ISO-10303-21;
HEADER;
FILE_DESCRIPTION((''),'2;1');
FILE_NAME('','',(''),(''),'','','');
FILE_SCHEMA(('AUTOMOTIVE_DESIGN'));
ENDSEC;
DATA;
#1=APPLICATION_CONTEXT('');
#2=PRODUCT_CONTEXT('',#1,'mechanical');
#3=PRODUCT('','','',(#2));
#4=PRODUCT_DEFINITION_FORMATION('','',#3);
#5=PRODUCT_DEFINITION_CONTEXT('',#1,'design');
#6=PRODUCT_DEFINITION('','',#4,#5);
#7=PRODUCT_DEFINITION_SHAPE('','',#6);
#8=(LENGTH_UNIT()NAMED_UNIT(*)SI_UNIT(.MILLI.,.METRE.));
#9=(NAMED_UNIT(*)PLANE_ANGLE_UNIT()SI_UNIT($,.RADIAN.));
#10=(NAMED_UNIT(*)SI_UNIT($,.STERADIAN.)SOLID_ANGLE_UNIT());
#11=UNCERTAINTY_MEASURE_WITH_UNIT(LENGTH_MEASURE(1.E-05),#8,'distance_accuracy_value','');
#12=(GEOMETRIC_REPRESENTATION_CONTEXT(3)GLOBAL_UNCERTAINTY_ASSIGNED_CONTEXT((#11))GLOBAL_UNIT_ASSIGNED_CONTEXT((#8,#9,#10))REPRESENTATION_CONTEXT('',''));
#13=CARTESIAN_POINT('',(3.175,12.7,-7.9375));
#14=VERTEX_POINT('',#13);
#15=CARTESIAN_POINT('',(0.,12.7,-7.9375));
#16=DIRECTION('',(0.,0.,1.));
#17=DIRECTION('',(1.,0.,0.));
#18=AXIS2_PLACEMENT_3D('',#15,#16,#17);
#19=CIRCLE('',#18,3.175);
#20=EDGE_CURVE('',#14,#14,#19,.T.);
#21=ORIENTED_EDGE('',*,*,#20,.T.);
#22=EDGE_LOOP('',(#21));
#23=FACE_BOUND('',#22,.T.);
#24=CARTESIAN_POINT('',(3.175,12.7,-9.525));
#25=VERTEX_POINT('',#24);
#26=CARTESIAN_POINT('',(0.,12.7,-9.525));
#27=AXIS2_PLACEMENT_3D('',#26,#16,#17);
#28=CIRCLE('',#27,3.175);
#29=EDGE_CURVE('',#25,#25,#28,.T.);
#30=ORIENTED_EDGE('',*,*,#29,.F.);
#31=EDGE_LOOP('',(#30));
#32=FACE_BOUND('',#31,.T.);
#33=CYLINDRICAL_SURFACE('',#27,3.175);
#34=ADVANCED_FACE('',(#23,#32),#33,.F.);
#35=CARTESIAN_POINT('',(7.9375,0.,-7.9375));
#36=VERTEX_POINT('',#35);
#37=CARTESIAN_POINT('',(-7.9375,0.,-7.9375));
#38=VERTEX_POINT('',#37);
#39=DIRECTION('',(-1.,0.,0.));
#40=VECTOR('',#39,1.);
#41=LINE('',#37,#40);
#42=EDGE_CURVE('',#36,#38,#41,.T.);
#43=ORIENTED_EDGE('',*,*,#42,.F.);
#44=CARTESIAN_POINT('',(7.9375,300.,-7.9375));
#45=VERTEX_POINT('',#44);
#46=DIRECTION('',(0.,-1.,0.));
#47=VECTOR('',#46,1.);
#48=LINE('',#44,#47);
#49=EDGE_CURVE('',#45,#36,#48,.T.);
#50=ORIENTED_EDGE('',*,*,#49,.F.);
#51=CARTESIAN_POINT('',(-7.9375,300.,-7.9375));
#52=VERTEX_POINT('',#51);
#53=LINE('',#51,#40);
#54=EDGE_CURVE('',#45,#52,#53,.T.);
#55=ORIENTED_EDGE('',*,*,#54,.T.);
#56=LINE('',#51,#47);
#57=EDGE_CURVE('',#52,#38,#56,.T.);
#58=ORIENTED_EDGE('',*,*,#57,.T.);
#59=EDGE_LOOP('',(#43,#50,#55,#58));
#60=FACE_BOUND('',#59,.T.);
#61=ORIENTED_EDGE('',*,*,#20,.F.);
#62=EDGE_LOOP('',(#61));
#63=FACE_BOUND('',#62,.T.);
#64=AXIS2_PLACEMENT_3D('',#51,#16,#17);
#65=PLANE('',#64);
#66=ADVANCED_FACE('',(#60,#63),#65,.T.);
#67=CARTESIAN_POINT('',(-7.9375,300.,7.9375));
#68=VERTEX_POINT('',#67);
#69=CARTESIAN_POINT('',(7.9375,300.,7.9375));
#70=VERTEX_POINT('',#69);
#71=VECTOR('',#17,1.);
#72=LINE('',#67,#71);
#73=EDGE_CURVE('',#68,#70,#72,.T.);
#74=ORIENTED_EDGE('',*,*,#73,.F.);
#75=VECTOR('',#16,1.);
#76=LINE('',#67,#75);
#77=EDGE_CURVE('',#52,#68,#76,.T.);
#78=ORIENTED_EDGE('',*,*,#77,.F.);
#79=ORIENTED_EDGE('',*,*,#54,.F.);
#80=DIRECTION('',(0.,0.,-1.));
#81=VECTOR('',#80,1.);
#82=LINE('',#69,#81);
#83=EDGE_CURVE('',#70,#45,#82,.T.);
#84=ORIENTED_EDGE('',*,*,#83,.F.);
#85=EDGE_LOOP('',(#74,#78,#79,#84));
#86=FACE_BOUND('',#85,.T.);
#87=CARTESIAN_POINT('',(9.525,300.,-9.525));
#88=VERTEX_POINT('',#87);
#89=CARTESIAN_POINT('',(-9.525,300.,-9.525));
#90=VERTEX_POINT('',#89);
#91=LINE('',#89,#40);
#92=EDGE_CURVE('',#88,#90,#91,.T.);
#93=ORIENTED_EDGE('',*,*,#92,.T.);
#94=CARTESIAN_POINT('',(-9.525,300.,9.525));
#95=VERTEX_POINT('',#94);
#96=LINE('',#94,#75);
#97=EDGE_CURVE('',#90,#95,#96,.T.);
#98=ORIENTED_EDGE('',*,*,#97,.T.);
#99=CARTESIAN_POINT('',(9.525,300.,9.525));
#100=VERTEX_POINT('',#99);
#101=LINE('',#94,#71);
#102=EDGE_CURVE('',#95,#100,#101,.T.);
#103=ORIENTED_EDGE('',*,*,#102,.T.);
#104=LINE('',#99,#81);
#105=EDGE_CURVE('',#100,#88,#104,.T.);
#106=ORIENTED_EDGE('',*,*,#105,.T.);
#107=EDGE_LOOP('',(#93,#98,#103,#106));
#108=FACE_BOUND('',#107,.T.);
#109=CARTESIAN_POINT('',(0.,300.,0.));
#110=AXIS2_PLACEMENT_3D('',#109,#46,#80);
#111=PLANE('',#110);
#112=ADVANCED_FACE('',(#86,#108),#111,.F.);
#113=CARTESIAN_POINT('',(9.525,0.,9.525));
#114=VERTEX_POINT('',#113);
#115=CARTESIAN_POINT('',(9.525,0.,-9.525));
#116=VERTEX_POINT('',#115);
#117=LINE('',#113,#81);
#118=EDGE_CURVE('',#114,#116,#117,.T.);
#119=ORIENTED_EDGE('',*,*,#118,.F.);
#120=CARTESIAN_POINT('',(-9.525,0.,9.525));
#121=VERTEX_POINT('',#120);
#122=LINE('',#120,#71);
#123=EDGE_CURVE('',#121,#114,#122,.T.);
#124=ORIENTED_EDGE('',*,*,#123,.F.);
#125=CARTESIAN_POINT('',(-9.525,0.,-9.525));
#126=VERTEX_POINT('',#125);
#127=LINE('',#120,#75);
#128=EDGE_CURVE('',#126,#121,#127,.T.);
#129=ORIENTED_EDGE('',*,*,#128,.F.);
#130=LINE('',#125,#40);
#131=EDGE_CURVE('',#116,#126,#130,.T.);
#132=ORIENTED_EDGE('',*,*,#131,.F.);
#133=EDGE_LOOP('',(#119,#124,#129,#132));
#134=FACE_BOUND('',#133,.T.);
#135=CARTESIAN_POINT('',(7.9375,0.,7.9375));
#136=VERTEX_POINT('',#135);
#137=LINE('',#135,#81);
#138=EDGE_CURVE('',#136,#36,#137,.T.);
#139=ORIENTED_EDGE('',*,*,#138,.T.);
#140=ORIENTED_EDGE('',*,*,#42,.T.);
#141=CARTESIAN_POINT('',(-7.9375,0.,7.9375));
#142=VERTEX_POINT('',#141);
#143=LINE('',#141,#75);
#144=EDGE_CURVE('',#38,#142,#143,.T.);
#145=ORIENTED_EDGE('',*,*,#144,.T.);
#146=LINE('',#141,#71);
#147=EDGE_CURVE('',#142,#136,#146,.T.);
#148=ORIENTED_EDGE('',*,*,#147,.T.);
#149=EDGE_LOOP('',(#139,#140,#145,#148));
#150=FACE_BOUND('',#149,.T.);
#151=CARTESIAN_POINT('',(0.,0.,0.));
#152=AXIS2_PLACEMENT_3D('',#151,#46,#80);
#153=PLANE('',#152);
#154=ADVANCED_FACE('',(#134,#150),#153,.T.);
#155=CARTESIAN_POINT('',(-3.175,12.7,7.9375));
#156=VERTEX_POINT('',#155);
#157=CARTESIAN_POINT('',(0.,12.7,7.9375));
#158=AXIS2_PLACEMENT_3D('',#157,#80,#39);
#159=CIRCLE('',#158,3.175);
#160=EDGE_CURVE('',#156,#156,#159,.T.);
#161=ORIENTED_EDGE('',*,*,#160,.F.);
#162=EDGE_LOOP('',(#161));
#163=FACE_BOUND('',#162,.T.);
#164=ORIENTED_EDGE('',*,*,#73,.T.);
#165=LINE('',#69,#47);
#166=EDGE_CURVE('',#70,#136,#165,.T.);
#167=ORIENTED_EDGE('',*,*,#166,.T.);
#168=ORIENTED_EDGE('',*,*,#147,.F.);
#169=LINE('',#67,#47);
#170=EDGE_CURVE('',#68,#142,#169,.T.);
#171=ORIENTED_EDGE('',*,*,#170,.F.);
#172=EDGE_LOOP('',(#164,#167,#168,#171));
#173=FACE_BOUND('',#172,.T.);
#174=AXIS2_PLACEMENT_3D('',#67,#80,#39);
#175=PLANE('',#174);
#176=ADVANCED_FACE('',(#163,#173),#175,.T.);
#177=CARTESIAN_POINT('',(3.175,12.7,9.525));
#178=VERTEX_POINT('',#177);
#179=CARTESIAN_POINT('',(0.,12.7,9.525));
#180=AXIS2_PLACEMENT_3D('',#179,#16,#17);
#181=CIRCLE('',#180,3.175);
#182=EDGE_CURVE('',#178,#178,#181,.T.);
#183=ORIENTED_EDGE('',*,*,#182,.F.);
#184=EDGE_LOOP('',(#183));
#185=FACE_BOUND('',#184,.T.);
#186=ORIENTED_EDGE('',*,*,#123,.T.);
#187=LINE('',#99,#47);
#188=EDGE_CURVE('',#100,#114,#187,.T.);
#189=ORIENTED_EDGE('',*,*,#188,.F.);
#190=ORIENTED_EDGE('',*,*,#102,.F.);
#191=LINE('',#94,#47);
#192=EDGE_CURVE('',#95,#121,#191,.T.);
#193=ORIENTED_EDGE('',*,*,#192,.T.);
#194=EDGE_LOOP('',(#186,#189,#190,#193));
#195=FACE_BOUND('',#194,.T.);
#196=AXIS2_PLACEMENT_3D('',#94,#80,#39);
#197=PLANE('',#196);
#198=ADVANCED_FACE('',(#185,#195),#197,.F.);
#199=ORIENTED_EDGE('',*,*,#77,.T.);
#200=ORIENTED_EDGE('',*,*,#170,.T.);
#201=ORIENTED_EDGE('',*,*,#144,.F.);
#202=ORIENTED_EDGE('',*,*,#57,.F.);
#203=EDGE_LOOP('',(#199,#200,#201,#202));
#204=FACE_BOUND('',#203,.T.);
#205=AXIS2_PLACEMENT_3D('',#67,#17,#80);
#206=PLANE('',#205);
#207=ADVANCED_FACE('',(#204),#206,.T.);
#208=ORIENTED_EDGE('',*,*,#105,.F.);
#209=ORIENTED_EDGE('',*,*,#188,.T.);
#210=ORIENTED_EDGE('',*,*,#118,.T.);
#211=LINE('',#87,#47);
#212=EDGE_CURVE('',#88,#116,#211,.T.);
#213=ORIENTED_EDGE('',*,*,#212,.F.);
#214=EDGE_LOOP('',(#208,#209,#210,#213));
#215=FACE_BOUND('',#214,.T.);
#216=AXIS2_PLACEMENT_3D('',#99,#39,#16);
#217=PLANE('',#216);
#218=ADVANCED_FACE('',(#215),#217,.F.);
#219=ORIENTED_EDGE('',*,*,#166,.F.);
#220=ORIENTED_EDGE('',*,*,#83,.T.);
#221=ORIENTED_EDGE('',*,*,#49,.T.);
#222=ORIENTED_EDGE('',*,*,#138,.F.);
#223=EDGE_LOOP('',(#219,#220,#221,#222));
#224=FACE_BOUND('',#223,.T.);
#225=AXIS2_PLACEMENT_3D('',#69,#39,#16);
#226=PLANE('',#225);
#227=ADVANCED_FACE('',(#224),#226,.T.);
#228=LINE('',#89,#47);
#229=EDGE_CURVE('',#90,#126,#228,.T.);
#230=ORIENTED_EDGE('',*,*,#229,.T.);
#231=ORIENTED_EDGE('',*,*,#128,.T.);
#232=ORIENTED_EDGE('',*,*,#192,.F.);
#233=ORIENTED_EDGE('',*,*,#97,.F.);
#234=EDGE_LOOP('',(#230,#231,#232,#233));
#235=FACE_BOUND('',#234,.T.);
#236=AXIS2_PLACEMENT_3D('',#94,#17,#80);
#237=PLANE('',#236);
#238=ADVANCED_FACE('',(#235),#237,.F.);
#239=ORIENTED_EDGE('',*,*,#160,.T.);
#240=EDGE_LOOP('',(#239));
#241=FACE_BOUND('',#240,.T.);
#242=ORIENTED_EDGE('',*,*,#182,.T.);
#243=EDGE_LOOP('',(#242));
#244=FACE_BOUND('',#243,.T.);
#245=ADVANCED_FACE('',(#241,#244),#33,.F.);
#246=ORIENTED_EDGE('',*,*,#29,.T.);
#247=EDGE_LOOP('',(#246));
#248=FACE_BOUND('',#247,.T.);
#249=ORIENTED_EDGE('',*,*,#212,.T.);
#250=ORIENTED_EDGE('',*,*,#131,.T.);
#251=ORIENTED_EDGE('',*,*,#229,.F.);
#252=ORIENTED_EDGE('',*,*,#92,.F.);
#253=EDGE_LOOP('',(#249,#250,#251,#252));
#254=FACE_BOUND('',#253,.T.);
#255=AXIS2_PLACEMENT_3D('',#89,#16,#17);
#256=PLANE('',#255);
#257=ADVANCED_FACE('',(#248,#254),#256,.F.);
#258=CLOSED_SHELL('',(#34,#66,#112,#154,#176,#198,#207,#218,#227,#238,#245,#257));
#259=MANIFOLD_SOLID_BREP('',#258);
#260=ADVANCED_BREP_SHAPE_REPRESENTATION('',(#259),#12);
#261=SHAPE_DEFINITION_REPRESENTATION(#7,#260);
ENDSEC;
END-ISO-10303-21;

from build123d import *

# Parameters (mm, degrees)
SKETCH1_W           = 19.05
SKETCH1_H           = 19.05
SKETCH1_W_2         = 15.875
SKETCH1_H_2         = 15.875
BOSS_EXTRUDE1_DEPTH = 300
SKETCH2_R           = 3.175
CUT_EXTRUDE1_DEPTH  = 301.75509659


with BuildPart() as part:
    # Sketch1 → Boss-Extrude1 (new body)
    with BuildSketch(Plane(origin=(0, 0, 0), x_dir=(1, 0, 0), z_dir=(0, 1, 0))):
        Rectangle(SKETCH1_W, SKETCH1_H)
        Rectangle(SKETCH1_W_2, SKETCH1_H_2, mode=Mode.SUBTRACT)
    extrude(amount=BOSS_EXTRUDE1_DEPTH)

    # Sketch2 → Cut-Extrude1 (cut, through all)
    with BuildSketch(Plane.XY.offset(9.525)):
        with Locations((0, 12.7)):
            Circle(SKETCH2_R)
    extrude(amount=-CUT_EXTRUDE1_DEPTH, mode=Mode.SUBTRACT)


solid = part.part
